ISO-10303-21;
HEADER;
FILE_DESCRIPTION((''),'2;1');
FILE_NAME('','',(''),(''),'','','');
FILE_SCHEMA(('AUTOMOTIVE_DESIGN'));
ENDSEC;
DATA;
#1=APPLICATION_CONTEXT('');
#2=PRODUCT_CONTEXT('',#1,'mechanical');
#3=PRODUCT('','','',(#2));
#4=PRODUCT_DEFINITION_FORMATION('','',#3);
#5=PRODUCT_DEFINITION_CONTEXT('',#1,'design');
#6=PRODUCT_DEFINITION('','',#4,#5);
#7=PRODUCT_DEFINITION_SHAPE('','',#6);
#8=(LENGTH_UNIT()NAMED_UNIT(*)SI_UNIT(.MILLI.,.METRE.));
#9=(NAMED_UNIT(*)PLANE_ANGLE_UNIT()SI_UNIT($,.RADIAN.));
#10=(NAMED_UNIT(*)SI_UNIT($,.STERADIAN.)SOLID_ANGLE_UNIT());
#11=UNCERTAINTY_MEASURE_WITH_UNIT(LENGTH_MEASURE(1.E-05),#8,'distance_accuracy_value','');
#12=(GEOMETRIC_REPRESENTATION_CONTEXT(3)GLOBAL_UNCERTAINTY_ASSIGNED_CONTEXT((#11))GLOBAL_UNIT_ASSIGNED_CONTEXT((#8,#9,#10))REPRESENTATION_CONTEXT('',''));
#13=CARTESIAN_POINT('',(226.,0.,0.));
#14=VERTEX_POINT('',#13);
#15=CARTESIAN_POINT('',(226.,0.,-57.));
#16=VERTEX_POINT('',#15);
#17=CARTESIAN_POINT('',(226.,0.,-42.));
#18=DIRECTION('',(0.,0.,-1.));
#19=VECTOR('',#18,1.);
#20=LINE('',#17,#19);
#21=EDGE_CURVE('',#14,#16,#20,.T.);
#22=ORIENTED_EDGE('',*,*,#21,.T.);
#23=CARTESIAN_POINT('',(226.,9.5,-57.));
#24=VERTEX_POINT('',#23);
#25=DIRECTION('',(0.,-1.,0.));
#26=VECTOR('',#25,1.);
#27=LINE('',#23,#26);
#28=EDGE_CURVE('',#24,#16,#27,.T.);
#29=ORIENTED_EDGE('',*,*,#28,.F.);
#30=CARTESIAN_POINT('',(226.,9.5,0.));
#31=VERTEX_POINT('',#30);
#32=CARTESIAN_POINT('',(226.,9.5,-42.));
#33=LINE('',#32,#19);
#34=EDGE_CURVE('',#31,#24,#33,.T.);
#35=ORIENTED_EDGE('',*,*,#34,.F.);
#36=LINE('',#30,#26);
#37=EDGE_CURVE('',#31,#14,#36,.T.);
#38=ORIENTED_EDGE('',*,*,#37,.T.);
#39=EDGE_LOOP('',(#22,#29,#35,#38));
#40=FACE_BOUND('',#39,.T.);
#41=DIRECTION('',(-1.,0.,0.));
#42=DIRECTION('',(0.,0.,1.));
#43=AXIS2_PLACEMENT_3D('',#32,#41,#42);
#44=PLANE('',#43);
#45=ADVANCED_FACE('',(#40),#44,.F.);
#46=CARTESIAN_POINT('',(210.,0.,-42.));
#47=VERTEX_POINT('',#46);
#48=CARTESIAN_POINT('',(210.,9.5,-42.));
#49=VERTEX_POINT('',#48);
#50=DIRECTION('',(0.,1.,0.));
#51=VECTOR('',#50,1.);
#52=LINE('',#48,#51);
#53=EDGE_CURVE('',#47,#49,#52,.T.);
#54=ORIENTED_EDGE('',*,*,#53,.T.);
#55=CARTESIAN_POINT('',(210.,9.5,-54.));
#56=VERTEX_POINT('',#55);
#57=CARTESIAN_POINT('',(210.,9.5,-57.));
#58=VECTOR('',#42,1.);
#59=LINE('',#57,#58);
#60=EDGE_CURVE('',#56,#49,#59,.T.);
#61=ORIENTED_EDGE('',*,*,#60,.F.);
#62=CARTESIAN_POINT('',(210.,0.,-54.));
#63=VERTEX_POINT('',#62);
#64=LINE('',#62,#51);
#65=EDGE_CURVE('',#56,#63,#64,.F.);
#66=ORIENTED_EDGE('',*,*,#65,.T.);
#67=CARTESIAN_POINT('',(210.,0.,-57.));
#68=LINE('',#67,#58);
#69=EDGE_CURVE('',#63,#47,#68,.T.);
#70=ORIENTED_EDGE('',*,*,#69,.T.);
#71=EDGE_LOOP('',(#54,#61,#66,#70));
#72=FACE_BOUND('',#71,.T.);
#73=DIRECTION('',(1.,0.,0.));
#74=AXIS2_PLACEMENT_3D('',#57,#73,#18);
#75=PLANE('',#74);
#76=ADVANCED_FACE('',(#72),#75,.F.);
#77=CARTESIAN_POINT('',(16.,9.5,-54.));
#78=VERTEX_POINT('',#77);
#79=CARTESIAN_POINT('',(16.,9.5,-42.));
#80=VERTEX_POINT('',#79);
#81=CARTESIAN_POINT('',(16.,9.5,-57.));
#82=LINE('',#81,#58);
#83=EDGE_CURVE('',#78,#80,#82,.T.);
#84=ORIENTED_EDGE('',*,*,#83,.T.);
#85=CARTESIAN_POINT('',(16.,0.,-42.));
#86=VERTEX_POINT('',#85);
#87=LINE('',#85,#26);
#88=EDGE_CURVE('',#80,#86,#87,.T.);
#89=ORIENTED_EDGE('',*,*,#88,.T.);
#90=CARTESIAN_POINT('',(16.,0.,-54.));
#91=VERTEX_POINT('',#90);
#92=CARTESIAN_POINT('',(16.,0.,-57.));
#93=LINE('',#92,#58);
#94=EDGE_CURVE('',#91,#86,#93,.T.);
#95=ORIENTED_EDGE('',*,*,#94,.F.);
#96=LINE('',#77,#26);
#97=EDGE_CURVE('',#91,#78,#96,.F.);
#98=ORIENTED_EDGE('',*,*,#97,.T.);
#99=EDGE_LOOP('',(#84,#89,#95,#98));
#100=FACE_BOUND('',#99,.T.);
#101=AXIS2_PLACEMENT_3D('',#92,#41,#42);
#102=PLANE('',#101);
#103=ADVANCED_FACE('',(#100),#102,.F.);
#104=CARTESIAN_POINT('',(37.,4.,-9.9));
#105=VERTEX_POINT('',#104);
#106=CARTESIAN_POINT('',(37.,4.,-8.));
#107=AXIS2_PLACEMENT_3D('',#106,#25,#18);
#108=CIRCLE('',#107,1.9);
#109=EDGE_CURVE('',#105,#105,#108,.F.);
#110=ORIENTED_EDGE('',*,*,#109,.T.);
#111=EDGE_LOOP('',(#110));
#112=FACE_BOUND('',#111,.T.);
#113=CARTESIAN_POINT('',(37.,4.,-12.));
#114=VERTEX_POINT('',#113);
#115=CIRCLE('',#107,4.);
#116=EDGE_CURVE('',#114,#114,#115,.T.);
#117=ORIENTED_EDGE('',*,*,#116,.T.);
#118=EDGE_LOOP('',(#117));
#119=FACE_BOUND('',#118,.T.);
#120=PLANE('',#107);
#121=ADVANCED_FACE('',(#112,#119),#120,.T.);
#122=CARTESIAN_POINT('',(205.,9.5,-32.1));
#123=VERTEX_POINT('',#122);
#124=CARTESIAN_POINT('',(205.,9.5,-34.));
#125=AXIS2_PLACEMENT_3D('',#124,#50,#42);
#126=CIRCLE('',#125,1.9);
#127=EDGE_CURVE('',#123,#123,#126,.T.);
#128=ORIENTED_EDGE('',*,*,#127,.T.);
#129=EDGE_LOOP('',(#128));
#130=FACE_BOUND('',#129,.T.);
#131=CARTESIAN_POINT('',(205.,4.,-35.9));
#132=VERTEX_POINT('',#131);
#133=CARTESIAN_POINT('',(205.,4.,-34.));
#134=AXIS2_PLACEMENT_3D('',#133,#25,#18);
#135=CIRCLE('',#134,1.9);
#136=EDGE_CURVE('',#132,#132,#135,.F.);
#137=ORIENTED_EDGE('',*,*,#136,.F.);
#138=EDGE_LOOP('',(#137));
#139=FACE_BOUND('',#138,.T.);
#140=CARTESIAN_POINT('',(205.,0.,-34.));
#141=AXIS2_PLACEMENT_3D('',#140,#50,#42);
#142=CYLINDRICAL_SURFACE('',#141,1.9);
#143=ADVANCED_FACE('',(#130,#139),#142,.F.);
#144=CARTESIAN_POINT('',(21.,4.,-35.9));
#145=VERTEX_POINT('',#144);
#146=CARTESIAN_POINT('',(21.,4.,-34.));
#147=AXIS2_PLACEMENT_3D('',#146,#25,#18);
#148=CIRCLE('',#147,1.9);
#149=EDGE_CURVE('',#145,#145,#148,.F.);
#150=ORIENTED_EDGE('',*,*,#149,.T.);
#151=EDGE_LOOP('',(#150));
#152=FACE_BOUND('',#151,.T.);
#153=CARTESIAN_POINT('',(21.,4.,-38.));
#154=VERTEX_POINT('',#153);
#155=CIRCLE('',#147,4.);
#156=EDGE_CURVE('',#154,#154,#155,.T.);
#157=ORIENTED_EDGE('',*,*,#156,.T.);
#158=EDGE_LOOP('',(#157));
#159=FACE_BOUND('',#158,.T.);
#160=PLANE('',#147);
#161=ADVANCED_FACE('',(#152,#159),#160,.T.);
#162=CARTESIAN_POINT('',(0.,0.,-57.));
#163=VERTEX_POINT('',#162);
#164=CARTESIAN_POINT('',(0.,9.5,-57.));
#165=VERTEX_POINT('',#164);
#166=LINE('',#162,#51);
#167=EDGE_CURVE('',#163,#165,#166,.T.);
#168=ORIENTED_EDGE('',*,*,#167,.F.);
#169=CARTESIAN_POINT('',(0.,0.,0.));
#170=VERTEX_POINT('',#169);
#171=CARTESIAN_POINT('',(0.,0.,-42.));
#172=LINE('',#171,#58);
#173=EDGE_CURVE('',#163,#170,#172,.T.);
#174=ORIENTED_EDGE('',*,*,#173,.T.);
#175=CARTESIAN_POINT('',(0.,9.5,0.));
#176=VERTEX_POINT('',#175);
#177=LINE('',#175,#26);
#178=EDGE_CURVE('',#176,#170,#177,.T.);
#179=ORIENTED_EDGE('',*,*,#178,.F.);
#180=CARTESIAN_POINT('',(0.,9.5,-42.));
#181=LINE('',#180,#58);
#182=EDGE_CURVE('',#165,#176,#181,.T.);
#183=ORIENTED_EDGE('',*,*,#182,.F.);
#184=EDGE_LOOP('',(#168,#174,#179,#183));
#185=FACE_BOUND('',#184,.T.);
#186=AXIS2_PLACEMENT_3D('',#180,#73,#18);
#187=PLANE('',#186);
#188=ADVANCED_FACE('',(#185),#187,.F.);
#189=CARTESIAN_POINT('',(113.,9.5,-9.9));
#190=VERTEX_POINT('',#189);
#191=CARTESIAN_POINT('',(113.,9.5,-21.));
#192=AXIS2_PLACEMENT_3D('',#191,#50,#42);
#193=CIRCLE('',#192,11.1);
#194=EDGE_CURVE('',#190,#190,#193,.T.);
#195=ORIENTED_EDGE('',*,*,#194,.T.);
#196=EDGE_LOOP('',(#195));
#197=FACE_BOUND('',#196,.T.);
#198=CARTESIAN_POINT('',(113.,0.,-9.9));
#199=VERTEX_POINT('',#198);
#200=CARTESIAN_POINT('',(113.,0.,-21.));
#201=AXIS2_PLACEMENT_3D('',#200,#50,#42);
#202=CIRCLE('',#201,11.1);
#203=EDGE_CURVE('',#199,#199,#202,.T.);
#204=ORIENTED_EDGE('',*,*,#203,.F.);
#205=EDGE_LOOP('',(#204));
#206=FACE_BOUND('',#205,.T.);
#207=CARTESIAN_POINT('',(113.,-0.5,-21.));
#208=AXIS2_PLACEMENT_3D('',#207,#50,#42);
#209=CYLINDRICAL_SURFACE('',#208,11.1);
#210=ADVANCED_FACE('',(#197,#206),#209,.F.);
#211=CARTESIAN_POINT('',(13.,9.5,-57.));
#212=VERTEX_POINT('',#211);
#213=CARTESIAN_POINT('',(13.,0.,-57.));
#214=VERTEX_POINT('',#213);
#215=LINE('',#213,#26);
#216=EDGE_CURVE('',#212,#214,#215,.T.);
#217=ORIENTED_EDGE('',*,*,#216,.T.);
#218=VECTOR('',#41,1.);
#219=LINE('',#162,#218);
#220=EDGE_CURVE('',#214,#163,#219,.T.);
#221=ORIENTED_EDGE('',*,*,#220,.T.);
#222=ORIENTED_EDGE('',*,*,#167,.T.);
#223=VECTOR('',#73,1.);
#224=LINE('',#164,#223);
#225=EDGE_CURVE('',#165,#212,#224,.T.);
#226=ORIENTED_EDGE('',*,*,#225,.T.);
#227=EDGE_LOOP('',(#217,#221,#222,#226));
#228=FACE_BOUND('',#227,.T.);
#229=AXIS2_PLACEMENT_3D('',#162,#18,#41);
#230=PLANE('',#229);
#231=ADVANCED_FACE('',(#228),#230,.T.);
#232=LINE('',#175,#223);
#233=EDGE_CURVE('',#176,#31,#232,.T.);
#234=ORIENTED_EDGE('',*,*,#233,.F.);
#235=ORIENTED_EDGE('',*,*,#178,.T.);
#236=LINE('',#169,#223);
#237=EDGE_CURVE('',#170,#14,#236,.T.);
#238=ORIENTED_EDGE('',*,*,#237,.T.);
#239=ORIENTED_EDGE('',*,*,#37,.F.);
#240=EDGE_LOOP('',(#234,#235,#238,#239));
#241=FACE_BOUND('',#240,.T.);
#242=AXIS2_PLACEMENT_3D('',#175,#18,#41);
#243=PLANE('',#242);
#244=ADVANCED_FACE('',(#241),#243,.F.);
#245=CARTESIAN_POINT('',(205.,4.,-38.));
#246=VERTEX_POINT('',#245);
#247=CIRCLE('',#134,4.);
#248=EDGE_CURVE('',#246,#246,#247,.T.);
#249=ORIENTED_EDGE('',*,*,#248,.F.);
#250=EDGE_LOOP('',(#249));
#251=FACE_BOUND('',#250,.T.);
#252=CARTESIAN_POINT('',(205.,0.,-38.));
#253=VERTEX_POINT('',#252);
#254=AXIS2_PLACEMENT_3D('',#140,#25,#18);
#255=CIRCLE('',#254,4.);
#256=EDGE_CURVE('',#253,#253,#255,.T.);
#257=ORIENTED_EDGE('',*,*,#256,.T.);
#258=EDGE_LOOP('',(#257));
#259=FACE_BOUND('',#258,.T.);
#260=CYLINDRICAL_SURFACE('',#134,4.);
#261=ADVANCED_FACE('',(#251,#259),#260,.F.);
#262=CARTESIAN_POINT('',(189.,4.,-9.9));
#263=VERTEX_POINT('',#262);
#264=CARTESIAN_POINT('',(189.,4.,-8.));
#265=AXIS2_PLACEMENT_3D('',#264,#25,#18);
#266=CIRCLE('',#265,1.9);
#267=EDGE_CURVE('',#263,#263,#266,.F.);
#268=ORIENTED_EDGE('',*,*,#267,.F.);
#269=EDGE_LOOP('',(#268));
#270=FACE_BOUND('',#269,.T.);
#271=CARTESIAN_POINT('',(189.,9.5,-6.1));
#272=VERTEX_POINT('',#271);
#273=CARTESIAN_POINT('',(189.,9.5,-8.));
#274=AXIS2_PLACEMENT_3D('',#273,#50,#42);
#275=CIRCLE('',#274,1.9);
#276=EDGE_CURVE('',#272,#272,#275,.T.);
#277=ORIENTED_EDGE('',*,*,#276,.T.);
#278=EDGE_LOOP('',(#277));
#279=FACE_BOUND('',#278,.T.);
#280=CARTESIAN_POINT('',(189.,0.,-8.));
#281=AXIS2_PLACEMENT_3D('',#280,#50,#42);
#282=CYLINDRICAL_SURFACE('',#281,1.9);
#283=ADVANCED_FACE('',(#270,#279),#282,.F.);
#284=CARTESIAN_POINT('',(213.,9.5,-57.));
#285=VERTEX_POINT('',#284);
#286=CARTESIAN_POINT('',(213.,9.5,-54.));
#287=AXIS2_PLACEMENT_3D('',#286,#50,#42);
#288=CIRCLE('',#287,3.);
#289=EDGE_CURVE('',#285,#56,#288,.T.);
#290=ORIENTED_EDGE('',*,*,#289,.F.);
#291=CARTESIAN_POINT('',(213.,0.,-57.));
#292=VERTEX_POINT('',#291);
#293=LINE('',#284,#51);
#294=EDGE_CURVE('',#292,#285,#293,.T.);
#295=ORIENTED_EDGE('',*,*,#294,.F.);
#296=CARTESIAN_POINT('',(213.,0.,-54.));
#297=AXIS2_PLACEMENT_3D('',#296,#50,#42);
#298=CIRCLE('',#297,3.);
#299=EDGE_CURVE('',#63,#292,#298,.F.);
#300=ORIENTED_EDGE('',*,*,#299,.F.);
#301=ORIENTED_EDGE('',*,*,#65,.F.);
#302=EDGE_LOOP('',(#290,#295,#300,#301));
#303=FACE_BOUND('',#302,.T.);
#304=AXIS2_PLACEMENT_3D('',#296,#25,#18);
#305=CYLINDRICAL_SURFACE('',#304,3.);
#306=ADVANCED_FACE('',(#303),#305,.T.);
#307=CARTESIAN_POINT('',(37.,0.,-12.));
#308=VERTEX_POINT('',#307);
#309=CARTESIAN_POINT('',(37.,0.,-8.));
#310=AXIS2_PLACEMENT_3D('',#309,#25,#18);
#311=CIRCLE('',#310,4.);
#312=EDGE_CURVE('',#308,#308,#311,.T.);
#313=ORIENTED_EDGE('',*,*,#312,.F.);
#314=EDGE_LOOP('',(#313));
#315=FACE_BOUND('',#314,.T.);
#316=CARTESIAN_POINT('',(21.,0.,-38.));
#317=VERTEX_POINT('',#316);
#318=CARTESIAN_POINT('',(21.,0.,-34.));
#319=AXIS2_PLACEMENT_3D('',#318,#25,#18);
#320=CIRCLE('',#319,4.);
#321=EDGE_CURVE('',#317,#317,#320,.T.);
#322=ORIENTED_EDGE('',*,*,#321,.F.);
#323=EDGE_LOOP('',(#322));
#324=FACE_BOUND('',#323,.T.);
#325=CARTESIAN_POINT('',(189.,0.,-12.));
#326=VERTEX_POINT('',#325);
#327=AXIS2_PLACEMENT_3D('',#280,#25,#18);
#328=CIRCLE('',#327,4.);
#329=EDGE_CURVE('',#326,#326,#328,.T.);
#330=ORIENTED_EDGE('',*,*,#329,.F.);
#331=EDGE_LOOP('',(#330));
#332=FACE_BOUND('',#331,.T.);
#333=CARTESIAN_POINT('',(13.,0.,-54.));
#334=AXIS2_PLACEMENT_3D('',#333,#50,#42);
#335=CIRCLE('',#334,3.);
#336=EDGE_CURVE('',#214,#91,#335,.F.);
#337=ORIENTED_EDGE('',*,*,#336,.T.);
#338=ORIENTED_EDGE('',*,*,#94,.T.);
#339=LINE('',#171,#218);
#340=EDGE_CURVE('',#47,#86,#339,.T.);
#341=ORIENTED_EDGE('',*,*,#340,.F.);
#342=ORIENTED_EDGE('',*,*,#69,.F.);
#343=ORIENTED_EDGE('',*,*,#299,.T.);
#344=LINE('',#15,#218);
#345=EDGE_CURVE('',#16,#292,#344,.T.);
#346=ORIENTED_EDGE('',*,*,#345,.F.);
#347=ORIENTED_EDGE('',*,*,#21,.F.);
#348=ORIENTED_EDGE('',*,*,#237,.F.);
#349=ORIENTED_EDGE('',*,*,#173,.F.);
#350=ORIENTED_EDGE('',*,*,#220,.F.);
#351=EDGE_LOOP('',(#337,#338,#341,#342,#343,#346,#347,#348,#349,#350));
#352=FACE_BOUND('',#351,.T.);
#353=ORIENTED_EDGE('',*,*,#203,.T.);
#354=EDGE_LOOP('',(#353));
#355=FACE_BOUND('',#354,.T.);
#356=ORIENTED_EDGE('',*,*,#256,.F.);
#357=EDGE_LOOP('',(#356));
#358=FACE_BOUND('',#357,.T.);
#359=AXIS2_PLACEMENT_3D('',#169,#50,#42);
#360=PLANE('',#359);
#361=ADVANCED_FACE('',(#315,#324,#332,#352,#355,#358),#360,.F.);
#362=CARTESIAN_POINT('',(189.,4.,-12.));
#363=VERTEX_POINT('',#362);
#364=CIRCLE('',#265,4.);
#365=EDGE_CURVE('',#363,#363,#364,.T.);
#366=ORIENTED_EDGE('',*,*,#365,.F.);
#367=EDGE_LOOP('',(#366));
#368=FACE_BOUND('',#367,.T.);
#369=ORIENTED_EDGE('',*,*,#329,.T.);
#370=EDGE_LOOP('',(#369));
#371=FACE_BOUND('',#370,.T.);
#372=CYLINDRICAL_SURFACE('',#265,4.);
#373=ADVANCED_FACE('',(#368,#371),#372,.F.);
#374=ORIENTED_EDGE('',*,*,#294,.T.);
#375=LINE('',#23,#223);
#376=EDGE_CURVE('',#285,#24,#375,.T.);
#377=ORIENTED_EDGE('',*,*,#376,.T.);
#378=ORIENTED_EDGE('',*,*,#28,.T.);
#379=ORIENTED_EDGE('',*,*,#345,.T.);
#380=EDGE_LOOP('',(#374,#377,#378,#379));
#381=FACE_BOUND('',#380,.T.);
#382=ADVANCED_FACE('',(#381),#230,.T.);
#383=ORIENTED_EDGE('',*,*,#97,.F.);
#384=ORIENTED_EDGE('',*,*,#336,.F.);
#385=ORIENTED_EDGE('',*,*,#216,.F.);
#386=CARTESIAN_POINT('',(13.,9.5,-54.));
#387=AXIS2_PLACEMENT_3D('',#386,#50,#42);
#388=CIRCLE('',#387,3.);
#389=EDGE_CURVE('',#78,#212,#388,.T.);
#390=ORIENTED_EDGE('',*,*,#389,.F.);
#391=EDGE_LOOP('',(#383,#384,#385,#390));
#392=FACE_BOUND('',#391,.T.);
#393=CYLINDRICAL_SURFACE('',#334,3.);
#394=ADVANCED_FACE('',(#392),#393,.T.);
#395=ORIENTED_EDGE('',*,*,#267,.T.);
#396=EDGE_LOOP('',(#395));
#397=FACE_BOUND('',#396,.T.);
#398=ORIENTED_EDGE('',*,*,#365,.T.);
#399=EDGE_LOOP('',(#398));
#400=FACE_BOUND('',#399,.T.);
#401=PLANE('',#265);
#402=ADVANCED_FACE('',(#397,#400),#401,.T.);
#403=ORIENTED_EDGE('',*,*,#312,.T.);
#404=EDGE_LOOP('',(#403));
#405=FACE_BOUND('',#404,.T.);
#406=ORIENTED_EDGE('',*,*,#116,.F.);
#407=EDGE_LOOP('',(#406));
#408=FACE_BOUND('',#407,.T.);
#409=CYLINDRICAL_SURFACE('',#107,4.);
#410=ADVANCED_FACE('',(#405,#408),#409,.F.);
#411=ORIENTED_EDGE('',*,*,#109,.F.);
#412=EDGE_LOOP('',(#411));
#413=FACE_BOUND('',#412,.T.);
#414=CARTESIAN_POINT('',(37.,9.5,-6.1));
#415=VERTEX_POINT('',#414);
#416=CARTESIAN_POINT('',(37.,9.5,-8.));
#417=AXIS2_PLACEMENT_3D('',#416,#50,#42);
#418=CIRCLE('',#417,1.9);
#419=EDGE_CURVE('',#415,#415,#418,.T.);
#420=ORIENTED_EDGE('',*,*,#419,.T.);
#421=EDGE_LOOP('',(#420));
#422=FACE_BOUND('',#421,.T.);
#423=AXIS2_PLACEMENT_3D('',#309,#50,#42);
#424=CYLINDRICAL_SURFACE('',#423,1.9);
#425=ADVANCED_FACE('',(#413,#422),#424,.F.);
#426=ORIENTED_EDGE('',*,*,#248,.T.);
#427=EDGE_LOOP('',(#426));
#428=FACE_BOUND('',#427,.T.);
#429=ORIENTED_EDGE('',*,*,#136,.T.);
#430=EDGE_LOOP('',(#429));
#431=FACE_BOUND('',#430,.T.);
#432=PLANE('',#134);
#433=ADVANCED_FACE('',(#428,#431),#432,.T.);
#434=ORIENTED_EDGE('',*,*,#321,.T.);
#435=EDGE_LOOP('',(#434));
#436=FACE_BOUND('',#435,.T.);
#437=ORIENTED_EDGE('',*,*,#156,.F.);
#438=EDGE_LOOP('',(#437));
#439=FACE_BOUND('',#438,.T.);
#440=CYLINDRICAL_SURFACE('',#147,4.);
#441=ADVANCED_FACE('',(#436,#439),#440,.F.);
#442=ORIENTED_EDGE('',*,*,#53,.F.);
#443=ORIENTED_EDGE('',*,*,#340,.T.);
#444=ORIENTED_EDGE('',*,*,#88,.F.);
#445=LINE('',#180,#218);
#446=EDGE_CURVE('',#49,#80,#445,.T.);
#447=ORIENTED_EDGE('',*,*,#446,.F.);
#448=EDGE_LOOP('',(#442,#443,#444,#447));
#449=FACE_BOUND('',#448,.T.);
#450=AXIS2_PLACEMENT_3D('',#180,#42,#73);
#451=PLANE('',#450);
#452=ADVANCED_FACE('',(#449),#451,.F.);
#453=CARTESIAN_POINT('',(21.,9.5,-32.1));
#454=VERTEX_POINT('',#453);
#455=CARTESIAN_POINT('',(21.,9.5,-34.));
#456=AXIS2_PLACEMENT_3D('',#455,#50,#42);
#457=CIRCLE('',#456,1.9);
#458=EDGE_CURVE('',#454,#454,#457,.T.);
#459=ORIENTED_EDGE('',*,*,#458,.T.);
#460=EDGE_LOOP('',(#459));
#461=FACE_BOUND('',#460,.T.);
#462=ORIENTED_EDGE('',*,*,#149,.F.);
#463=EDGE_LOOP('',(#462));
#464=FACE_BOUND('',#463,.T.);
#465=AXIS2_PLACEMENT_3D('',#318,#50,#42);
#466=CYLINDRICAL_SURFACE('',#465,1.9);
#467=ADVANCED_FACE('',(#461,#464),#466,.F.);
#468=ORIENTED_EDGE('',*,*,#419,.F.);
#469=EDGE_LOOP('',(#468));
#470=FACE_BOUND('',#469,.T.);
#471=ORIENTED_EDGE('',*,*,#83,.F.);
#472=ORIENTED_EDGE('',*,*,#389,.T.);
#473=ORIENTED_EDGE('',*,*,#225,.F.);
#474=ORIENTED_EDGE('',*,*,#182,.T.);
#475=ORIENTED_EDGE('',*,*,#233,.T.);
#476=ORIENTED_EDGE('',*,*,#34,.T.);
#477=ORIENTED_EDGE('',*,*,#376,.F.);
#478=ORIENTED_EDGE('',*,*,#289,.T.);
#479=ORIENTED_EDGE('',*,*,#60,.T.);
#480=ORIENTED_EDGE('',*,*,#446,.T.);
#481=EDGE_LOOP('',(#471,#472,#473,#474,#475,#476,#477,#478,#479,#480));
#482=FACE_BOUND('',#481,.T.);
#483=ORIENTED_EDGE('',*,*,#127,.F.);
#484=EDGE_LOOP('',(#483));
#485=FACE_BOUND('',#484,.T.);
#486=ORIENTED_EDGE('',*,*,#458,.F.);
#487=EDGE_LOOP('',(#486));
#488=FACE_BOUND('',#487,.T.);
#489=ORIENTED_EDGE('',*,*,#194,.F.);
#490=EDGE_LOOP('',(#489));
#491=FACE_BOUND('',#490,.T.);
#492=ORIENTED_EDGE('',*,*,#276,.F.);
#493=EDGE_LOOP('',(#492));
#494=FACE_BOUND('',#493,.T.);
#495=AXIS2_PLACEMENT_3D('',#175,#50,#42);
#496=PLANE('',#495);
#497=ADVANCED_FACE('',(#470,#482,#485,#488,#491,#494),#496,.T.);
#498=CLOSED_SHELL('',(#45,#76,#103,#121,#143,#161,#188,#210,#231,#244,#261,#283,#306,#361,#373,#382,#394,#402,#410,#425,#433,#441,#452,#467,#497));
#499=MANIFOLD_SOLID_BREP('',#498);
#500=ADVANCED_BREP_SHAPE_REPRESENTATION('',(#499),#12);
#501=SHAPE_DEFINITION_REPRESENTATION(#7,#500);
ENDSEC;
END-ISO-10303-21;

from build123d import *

# Parameters (mm, degrees)
SKETCH_1_W          = 226
SKETCH_1_H          = 42
EXTRUDE_1_DEPTH     = 9.5
SKETCH_6_W          = 16
SKETCH_6_H          = 9.5
EXTRUDE_4_DEPTH     = 15
FILLET_1_R          = 3
SKETCH_7_R          = 1.9
CUT_EXTRUDE_1_DEPTH = 234.270765421
SKETCH_9_R          = 11.1
CUT_EXTRUDE_2_DEPTH = 10
SKETCH_11_R         = 4
CUT_EXTRUDE_4_DEPTH = 4


with BuildPart() as part:
    # 草图1 → 凸台-拉伸1 (new body)
    with BuildSketch(Plane(origin=(0, 0, 0), x_dir=(1, 0, 0), z_dir=(0, 1, 0))):
        with Locations((113, 21)):
            Rectangle(SKETCH_1_W, SKETCH_1_H)
    extrude(amount=EXTRUDE_1_DEPTH)

    # 草图6 → 凸台-拉伸4 (add)
    with BuildSketch(Plane(origin=(0, 0, -42), x_dir=(-1, 0, 0), z_dir=(0, 0, -1))):
        with Locations((-8, 4.75)):
            Rectangle(SKETCH_6_W, SKETCH_6_H)
        with Locations((-218, 4.75)):
            Rectangle(SKETCH_6_W, SKETCH_6_H)
    extrude(amount=EXTRUDE_4_DEPTH)

    # 圆角1
    fillet_1_edges = [part.edges().sort_by_distance(p)[0] for p in [
        (16, 4.75, -57),
        (210, 4.75, -57),
    ]]
    fillet(fillet_1_edges, radius=FILLET_1_R)

    # 草图7 → 切除-拉伸1 (cut, through all)
    with BuildSketch(Plane(origin=(0, 9.5, 0), x_dir=(1, 0, 0), z_dir=(0, 1, 0))):
        with Locations(Location((21, 34, 0), (0, 0, 270))):
            Circle(SKETCH_7_R)
        with Locations(Location((37, 8, 0), (0, 0, 270))):
            Circle(SKETCH_7_R)
        with Locations(Location((189, 8, 0), (0, 0, 270))):
            Circle(SKETCH_7_R)
        with Locations(Location((205, 34, 0), (0, 0, 270))):
            Circle(SKETCH_7_R)
    extrude(amount=-CUT_EXTRUDE_1_DEPTH, mode=Mode.SUBTRACT)

    # 草图9 → 切除-拉伸2 (cut)
    with BuildSketch(Plane(origin=(0, 9.5, 0), x_dir=(1, 0, 0), z_dir=(0, 1, 0))):
        with Locations(Location((113, 21, 0), (0, 0, 270))):
            Circle(SKETCH_9_R)
    extrude(amount=-CUT_EXTRUDE_2_DEPTH, mode=Mode.SUBTRACT)

    # 草图11 → 切除-拉伸4 (cut)
    with BuildSketch(Plane.XZ):
        with Locations(Location((37, -8, 0), (0, 0, 270))):
            Circle(SKETCH_11_R)
        with Locations(Location((21, -34, 0), (0, 0, 270))):
            Circle(SKETCH_11_R)
        with Locations(Location((189, -8, 0), (0, 0, 270))):
            Circle(SKETCH_11_R)
        with Locations(Location((205, -34, 0), (0, 0, 270))):
            Circle(SKETCH_11_R)
    extrude(amount=-CUT_EXTRUDE_4_DEPTH, mode=Mode.SUBTRACT)


solid = part.part
